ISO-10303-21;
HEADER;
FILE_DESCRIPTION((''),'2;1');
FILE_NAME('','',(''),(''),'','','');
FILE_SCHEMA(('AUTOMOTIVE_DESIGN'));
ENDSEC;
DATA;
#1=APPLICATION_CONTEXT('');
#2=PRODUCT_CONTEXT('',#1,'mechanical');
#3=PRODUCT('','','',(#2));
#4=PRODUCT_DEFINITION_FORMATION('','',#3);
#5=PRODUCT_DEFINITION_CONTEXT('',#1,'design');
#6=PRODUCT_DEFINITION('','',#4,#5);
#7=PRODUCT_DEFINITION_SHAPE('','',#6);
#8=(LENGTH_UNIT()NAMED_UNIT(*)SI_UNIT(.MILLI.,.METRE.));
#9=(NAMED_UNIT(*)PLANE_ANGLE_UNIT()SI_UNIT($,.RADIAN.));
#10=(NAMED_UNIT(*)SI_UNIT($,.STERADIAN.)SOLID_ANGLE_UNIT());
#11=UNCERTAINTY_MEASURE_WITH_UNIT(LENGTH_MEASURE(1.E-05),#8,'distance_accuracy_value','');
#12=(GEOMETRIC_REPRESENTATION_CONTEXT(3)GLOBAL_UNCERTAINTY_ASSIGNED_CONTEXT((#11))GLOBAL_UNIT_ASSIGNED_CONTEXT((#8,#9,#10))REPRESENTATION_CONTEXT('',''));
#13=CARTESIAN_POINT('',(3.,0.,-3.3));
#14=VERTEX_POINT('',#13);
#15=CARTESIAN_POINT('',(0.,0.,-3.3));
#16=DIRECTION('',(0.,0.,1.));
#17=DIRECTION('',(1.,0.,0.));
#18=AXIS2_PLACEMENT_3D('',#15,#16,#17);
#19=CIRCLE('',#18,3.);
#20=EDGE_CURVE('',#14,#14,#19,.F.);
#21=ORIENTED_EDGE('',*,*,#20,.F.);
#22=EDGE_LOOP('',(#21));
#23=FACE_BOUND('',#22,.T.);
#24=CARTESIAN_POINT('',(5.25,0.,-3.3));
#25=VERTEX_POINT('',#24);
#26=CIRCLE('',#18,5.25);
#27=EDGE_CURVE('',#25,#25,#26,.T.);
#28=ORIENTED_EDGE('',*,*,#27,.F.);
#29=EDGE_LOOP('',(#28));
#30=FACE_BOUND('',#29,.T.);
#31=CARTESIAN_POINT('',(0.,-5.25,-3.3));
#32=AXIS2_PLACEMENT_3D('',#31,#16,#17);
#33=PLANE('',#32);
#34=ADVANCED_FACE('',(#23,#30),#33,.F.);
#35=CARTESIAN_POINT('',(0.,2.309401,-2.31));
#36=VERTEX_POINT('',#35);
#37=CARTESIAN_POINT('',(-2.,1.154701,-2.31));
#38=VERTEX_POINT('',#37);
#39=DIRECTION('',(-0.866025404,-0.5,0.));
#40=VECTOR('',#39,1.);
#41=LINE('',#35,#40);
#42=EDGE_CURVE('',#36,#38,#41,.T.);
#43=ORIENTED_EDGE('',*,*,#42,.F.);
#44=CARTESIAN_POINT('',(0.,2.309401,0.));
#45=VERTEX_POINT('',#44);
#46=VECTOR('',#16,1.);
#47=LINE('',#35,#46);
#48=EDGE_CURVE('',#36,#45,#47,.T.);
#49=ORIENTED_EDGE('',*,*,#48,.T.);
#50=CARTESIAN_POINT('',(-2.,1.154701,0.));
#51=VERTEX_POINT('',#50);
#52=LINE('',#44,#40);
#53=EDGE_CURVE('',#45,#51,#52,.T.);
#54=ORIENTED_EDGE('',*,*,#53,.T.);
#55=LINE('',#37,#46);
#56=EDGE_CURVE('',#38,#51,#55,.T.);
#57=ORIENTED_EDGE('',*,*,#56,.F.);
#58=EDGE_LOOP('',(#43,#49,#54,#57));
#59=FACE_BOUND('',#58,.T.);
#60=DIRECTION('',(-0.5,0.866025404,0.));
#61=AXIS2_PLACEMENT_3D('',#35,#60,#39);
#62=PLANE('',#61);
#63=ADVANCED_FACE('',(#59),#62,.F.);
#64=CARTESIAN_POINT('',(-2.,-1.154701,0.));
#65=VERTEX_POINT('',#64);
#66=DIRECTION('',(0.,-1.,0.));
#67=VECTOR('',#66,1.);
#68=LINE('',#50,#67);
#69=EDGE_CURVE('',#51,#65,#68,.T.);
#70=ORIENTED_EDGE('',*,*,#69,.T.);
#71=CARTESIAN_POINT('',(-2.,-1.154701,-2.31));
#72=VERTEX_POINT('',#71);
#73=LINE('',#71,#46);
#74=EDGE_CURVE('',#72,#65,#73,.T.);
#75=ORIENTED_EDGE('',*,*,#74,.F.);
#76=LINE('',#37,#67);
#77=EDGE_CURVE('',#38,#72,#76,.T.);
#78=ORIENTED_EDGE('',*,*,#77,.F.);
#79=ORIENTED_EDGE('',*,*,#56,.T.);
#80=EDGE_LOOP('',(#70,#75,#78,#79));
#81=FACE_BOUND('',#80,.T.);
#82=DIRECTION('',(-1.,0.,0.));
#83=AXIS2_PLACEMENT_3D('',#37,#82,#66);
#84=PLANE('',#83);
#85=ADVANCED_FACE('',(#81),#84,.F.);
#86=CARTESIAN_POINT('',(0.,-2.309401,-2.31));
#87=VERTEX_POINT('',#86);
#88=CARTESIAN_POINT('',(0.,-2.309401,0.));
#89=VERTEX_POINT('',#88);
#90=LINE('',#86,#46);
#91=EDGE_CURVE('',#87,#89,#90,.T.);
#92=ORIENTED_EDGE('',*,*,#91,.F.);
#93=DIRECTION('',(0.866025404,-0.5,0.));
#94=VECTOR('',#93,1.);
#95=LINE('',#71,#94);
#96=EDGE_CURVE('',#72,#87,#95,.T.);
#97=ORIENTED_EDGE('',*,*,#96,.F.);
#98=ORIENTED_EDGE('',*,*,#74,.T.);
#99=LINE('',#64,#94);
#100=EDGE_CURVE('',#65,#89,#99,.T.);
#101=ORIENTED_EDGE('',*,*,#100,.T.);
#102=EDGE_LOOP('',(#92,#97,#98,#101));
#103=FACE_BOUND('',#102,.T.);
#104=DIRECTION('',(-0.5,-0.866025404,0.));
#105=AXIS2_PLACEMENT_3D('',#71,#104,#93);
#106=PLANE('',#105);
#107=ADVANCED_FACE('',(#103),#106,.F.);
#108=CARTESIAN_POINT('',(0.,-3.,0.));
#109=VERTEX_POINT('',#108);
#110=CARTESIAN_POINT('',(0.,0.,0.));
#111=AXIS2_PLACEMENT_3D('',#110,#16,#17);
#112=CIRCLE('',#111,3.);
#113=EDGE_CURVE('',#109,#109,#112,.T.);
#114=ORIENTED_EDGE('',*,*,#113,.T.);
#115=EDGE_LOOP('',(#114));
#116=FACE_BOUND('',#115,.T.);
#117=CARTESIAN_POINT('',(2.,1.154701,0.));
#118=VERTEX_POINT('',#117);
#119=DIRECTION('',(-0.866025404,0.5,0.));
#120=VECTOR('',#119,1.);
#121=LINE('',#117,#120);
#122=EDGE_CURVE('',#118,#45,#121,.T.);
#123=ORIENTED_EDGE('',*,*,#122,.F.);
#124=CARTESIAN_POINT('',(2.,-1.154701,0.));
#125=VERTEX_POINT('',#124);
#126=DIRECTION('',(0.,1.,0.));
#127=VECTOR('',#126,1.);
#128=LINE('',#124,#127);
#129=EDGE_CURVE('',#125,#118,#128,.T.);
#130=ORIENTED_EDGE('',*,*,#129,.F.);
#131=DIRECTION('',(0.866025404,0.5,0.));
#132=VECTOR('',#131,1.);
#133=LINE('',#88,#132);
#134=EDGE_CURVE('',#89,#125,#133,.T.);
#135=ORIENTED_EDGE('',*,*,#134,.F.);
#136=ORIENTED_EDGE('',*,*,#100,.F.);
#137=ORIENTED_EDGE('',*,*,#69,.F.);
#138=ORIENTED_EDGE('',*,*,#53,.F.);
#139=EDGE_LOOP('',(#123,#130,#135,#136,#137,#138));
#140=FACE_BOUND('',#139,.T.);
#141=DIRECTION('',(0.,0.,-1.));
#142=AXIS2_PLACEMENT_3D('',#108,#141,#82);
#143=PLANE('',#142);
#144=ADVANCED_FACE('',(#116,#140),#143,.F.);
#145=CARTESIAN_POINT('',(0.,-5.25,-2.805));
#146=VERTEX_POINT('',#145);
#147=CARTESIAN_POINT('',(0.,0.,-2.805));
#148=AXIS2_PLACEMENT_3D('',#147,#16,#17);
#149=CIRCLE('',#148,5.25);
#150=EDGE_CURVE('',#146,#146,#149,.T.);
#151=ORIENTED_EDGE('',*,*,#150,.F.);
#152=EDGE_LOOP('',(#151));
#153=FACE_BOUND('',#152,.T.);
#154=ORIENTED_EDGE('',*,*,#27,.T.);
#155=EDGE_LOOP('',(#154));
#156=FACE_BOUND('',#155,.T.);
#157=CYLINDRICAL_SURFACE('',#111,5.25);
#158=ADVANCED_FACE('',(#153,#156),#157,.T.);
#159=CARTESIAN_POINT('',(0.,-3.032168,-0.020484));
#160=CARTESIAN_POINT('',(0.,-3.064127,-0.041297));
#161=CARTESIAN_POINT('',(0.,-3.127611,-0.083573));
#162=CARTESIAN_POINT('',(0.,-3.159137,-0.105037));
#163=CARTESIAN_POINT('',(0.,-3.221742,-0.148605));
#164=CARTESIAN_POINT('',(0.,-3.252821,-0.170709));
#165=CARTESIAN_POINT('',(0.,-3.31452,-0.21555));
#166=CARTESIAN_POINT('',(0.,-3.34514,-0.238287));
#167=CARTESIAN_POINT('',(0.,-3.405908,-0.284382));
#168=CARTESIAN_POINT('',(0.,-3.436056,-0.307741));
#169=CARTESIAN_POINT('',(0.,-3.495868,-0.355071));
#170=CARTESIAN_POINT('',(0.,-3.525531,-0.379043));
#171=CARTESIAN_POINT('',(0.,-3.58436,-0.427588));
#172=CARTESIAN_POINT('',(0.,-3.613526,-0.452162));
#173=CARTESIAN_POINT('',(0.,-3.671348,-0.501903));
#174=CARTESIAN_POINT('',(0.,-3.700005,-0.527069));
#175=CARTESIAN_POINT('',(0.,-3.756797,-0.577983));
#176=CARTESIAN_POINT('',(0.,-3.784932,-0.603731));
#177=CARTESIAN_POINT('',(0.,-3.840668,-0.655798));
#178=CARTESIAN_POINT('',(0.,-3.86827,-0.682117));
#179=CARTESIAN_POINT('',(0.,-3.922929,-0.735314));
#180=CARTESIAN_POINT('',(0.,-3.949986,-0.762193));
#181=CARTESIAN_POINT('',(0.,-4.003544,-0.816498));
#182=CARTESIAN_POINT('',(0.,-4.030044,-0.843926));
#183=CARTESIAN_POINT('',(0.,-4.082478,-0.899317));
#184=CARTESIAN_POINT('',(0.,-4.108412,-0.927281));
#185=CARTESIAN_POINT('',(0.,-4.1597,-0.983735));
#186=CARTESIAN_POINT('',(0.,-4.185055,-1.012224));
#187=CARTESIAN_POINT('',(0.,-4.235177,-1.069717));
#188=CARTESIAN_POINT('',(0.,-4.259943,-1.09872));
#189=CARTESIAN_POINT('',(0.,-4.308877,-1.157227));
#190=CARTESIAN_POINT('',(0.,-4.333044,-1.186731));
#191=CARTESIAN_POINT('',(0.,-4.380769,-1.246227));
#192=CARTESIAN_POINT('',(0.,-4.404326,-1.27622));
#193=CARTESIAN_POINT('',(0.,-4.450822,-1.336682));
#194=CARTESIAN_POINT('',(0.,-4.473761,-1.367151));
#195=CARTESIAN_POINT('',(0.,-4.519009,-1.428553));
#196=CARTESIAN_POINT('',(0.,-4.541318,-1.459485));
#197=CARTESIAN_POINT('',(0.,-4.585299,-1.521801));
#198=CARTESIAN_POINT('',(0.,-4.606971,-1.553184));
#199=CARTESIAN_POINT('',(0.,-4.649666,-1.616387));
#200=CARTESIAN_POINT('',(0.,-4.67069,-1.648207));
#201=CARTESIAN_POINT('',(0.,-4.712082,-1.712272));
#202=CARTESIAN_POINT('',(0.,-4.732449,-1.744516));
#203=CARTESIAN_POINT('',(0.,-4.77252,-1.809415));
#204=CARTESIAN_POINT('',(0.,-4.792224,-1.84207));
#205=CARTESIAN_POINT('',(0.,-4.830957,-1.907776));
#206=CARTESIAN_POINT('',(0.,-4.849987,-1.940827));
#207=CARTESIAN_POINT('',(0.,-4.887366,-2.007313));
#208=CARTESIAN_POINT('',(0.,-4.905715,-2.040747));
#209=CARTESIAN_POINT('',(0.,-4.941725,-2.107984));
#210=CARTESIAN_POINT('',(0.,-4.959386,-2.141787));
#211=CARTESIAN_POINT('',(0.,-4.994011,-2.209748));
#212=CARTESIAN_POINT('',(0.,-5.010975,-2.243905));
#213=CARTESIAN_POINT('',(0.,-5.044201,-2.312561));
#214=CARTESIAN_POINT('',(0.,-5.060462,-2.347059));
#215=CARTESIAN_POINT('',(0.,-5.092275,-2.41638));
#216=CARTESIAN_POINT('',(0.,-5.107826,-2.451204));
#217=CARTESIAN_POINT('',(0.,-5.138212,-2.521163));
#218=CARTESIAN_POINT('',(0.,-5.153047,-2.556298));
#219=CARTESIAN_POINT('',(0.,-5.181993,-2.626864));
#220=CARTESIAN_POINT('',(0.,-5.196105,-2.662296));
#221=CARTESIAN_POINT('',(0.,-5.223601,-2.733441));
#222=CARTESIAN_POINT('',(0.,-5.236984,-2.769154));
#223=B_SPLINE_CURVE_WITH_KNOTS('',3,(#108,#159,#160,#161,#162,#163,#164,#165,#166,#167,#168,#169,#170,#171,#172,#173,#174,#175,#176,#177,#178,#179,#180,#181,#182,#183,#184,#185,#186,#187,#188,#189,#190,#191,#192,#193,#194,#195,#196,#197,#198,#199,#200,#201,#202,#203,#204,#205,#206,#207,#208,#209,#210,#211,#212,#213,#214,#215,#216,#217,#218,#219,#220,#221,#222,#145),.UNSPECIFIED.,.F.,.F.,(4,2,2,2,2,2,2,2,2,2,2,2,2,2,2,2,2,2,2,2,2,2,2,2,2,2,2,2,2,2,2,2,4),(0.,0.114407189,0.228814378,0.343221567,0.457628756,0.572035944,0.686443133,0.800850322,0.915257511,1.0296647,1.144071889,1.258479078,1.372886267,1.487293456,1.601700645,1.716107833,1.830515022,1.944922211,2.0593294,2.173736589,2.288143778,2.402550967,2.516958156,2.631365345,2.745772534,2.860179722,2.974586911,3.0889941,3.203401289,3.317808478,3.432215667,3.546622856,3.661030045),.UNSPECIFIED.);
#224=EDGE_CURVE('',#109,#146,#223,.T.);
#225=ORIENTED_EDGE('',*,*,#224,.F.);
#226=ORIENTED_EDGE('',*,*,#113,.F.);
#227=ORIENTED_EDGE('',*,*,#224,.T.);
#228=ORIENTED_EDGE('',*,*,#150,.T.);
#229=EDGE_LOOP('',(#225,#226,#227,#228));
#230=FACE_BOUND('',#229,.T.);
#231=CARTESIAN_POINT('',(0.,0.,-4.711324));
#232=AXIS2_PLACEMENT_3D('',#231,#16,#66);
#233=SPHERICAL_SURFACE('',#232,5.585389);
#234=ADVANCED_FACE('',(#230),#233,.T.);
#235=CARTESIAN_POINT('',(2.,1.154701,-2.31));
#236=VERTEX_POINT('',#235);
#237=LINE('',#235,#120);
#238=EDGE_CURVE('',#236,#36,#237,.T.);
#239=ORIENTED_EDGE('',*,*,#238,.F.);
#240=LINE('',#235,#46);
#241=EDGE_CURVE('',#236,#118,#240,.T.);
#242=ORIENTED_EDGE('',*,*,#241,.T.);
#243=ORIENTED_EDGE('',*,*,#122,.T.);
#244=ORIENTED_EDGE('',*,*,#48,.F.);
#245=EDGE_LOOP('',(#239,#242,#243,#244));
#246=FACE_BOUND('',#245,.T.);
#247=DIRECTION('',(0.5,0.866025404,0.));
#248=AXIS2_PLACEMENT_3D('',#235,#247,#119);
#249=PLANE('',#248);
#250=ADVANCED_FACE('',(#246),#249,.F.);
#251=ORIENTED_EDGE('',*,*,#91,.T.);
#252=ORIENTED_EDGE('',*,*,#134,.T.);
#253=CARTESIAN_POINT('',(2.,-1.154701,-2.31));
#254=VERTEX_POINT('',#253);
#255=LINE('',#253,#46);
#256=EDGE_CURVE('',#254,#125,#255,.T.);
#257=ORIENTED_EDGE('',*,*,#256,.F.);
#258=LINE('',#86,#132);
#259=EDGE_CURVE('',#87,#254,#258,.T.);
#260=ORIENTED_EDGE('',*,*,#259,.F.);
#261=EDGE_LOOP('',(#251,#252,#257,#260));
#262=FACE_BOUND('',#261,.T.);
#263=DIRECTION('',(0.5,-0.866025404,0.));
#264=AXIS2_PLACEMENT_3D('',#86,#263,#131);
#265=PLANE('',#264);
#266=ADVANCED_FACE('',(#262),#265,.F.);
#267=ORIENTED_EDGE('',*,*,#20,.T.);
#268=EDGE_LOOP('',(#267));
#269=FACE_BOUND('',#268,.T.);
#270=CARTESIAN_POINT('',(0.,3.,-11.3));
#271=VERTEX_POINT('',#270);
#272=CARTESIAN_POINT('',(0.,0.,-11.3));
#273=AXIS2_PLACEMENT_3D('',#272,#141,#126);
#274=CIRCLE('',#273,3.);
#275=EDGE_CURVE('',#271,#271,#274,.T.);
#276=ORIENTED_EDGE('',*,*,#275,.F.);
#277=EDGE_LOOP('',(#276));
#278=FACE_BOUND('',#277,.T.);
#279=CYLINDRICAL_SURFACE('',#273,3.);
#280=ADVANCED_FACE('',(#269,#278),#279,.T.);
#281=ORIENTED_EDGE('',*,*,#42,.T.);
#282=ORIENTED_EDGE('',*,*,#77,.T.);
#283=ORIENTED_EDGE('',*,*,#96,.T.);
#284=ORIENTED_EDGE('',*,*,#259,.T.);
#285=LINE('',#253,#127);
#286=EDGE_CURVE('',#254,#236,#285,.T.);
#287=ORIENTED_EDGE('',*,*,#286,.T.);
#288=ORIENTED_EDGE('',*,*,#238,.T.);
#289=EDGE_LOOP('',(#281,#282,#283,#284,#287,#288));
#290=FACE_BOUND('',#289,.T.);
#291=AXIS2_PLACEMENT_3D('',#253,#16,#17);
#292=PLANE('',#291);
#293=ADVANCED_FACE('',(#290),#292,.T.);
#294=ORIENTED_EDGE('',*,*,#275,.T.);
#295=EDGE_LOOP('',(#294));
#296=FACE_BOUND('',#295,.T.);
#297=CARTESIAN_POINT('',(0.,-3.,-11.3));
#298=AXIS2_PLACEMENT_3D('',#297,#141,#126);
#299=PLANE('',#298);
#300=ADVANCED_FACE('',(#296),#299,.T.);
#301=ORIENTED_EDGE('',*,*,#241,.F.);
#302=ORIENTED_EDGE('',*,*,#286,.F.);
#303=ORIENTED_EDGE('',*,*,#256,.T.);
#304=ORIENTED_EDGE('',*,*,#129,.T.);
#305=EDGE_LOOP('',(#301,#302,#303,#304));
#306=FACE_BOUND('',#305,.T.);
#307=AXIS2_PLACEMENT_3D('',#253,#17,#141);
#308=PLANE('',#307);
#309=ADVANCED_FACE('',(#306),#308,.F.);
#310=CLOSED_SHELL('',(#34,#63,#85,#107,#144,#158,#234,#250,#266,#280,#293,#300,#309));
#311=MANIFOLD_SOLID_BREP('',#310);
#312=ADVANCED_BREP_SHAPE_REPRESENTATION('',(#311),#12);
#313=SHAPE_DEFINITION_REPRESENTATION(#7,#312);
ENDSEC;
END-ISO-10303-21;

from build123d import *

# Parameters (mm, degrees)
SKETCH1_W          = 8
SKETCH1_H          = 3
CUT_EXTRUDE2_DEPTH = 2.31


with BuildPart() as part:
    # Sketch1 → Revolve1 (revolve)
    with BuildSketch(Plane(origin=(0, 0, 0), x_dir=(0, 0, -1), z_dir=(1, 0, 0))):
        with Locations((7.3, 1.5)):
            Rectangle(SKETCH1_W, SKETCH1_H)
    revolve(axis=Axis((0, 0, -11.3), (0, 0, 1)))

    # Sketch7 → Revolve2 (revolve)
    with BuildSketch(Plane(origin=(0, 0, 0), x_dir=(0, 0, -1), z_dir=(1, 0, 0)), mode=Mode.PRIVATE) as revolve2_sk:
        with BuildLine():
            Line((2.805, 5.25), (3.3, 5.25))
            Line((3.3, 5.25), (3.3, 0))
            Line((3.3, 0), (0, 0))
            Line((0, 0), (0, 3))
            ThreePointArc((0, 3), (1.216479019, 4.356906156), (2.805, 5.25))
        make_face()
    revolve(revolve2_sk.sketch.rotate(Axis((0, 0, 0), (0, 0, -1)), 180), axis=Axis((0, 0, 0), (0, 0, -1)))

    # Sketch5 → Cut-Extrude2 (cut)
    with BuildSketch(Plane.XY):
        Polygon((2, -1.154700538), (2, 1.154700538), (0, 2.309401077), (-2, 1.154700538), (-2, -1.154700538), (0, -2.309401077), align=None)
    extrude(amount=-CUT_EXTRUDE2_DEPTH, mode=Mode.SUBTRACT)


solid = part.part
